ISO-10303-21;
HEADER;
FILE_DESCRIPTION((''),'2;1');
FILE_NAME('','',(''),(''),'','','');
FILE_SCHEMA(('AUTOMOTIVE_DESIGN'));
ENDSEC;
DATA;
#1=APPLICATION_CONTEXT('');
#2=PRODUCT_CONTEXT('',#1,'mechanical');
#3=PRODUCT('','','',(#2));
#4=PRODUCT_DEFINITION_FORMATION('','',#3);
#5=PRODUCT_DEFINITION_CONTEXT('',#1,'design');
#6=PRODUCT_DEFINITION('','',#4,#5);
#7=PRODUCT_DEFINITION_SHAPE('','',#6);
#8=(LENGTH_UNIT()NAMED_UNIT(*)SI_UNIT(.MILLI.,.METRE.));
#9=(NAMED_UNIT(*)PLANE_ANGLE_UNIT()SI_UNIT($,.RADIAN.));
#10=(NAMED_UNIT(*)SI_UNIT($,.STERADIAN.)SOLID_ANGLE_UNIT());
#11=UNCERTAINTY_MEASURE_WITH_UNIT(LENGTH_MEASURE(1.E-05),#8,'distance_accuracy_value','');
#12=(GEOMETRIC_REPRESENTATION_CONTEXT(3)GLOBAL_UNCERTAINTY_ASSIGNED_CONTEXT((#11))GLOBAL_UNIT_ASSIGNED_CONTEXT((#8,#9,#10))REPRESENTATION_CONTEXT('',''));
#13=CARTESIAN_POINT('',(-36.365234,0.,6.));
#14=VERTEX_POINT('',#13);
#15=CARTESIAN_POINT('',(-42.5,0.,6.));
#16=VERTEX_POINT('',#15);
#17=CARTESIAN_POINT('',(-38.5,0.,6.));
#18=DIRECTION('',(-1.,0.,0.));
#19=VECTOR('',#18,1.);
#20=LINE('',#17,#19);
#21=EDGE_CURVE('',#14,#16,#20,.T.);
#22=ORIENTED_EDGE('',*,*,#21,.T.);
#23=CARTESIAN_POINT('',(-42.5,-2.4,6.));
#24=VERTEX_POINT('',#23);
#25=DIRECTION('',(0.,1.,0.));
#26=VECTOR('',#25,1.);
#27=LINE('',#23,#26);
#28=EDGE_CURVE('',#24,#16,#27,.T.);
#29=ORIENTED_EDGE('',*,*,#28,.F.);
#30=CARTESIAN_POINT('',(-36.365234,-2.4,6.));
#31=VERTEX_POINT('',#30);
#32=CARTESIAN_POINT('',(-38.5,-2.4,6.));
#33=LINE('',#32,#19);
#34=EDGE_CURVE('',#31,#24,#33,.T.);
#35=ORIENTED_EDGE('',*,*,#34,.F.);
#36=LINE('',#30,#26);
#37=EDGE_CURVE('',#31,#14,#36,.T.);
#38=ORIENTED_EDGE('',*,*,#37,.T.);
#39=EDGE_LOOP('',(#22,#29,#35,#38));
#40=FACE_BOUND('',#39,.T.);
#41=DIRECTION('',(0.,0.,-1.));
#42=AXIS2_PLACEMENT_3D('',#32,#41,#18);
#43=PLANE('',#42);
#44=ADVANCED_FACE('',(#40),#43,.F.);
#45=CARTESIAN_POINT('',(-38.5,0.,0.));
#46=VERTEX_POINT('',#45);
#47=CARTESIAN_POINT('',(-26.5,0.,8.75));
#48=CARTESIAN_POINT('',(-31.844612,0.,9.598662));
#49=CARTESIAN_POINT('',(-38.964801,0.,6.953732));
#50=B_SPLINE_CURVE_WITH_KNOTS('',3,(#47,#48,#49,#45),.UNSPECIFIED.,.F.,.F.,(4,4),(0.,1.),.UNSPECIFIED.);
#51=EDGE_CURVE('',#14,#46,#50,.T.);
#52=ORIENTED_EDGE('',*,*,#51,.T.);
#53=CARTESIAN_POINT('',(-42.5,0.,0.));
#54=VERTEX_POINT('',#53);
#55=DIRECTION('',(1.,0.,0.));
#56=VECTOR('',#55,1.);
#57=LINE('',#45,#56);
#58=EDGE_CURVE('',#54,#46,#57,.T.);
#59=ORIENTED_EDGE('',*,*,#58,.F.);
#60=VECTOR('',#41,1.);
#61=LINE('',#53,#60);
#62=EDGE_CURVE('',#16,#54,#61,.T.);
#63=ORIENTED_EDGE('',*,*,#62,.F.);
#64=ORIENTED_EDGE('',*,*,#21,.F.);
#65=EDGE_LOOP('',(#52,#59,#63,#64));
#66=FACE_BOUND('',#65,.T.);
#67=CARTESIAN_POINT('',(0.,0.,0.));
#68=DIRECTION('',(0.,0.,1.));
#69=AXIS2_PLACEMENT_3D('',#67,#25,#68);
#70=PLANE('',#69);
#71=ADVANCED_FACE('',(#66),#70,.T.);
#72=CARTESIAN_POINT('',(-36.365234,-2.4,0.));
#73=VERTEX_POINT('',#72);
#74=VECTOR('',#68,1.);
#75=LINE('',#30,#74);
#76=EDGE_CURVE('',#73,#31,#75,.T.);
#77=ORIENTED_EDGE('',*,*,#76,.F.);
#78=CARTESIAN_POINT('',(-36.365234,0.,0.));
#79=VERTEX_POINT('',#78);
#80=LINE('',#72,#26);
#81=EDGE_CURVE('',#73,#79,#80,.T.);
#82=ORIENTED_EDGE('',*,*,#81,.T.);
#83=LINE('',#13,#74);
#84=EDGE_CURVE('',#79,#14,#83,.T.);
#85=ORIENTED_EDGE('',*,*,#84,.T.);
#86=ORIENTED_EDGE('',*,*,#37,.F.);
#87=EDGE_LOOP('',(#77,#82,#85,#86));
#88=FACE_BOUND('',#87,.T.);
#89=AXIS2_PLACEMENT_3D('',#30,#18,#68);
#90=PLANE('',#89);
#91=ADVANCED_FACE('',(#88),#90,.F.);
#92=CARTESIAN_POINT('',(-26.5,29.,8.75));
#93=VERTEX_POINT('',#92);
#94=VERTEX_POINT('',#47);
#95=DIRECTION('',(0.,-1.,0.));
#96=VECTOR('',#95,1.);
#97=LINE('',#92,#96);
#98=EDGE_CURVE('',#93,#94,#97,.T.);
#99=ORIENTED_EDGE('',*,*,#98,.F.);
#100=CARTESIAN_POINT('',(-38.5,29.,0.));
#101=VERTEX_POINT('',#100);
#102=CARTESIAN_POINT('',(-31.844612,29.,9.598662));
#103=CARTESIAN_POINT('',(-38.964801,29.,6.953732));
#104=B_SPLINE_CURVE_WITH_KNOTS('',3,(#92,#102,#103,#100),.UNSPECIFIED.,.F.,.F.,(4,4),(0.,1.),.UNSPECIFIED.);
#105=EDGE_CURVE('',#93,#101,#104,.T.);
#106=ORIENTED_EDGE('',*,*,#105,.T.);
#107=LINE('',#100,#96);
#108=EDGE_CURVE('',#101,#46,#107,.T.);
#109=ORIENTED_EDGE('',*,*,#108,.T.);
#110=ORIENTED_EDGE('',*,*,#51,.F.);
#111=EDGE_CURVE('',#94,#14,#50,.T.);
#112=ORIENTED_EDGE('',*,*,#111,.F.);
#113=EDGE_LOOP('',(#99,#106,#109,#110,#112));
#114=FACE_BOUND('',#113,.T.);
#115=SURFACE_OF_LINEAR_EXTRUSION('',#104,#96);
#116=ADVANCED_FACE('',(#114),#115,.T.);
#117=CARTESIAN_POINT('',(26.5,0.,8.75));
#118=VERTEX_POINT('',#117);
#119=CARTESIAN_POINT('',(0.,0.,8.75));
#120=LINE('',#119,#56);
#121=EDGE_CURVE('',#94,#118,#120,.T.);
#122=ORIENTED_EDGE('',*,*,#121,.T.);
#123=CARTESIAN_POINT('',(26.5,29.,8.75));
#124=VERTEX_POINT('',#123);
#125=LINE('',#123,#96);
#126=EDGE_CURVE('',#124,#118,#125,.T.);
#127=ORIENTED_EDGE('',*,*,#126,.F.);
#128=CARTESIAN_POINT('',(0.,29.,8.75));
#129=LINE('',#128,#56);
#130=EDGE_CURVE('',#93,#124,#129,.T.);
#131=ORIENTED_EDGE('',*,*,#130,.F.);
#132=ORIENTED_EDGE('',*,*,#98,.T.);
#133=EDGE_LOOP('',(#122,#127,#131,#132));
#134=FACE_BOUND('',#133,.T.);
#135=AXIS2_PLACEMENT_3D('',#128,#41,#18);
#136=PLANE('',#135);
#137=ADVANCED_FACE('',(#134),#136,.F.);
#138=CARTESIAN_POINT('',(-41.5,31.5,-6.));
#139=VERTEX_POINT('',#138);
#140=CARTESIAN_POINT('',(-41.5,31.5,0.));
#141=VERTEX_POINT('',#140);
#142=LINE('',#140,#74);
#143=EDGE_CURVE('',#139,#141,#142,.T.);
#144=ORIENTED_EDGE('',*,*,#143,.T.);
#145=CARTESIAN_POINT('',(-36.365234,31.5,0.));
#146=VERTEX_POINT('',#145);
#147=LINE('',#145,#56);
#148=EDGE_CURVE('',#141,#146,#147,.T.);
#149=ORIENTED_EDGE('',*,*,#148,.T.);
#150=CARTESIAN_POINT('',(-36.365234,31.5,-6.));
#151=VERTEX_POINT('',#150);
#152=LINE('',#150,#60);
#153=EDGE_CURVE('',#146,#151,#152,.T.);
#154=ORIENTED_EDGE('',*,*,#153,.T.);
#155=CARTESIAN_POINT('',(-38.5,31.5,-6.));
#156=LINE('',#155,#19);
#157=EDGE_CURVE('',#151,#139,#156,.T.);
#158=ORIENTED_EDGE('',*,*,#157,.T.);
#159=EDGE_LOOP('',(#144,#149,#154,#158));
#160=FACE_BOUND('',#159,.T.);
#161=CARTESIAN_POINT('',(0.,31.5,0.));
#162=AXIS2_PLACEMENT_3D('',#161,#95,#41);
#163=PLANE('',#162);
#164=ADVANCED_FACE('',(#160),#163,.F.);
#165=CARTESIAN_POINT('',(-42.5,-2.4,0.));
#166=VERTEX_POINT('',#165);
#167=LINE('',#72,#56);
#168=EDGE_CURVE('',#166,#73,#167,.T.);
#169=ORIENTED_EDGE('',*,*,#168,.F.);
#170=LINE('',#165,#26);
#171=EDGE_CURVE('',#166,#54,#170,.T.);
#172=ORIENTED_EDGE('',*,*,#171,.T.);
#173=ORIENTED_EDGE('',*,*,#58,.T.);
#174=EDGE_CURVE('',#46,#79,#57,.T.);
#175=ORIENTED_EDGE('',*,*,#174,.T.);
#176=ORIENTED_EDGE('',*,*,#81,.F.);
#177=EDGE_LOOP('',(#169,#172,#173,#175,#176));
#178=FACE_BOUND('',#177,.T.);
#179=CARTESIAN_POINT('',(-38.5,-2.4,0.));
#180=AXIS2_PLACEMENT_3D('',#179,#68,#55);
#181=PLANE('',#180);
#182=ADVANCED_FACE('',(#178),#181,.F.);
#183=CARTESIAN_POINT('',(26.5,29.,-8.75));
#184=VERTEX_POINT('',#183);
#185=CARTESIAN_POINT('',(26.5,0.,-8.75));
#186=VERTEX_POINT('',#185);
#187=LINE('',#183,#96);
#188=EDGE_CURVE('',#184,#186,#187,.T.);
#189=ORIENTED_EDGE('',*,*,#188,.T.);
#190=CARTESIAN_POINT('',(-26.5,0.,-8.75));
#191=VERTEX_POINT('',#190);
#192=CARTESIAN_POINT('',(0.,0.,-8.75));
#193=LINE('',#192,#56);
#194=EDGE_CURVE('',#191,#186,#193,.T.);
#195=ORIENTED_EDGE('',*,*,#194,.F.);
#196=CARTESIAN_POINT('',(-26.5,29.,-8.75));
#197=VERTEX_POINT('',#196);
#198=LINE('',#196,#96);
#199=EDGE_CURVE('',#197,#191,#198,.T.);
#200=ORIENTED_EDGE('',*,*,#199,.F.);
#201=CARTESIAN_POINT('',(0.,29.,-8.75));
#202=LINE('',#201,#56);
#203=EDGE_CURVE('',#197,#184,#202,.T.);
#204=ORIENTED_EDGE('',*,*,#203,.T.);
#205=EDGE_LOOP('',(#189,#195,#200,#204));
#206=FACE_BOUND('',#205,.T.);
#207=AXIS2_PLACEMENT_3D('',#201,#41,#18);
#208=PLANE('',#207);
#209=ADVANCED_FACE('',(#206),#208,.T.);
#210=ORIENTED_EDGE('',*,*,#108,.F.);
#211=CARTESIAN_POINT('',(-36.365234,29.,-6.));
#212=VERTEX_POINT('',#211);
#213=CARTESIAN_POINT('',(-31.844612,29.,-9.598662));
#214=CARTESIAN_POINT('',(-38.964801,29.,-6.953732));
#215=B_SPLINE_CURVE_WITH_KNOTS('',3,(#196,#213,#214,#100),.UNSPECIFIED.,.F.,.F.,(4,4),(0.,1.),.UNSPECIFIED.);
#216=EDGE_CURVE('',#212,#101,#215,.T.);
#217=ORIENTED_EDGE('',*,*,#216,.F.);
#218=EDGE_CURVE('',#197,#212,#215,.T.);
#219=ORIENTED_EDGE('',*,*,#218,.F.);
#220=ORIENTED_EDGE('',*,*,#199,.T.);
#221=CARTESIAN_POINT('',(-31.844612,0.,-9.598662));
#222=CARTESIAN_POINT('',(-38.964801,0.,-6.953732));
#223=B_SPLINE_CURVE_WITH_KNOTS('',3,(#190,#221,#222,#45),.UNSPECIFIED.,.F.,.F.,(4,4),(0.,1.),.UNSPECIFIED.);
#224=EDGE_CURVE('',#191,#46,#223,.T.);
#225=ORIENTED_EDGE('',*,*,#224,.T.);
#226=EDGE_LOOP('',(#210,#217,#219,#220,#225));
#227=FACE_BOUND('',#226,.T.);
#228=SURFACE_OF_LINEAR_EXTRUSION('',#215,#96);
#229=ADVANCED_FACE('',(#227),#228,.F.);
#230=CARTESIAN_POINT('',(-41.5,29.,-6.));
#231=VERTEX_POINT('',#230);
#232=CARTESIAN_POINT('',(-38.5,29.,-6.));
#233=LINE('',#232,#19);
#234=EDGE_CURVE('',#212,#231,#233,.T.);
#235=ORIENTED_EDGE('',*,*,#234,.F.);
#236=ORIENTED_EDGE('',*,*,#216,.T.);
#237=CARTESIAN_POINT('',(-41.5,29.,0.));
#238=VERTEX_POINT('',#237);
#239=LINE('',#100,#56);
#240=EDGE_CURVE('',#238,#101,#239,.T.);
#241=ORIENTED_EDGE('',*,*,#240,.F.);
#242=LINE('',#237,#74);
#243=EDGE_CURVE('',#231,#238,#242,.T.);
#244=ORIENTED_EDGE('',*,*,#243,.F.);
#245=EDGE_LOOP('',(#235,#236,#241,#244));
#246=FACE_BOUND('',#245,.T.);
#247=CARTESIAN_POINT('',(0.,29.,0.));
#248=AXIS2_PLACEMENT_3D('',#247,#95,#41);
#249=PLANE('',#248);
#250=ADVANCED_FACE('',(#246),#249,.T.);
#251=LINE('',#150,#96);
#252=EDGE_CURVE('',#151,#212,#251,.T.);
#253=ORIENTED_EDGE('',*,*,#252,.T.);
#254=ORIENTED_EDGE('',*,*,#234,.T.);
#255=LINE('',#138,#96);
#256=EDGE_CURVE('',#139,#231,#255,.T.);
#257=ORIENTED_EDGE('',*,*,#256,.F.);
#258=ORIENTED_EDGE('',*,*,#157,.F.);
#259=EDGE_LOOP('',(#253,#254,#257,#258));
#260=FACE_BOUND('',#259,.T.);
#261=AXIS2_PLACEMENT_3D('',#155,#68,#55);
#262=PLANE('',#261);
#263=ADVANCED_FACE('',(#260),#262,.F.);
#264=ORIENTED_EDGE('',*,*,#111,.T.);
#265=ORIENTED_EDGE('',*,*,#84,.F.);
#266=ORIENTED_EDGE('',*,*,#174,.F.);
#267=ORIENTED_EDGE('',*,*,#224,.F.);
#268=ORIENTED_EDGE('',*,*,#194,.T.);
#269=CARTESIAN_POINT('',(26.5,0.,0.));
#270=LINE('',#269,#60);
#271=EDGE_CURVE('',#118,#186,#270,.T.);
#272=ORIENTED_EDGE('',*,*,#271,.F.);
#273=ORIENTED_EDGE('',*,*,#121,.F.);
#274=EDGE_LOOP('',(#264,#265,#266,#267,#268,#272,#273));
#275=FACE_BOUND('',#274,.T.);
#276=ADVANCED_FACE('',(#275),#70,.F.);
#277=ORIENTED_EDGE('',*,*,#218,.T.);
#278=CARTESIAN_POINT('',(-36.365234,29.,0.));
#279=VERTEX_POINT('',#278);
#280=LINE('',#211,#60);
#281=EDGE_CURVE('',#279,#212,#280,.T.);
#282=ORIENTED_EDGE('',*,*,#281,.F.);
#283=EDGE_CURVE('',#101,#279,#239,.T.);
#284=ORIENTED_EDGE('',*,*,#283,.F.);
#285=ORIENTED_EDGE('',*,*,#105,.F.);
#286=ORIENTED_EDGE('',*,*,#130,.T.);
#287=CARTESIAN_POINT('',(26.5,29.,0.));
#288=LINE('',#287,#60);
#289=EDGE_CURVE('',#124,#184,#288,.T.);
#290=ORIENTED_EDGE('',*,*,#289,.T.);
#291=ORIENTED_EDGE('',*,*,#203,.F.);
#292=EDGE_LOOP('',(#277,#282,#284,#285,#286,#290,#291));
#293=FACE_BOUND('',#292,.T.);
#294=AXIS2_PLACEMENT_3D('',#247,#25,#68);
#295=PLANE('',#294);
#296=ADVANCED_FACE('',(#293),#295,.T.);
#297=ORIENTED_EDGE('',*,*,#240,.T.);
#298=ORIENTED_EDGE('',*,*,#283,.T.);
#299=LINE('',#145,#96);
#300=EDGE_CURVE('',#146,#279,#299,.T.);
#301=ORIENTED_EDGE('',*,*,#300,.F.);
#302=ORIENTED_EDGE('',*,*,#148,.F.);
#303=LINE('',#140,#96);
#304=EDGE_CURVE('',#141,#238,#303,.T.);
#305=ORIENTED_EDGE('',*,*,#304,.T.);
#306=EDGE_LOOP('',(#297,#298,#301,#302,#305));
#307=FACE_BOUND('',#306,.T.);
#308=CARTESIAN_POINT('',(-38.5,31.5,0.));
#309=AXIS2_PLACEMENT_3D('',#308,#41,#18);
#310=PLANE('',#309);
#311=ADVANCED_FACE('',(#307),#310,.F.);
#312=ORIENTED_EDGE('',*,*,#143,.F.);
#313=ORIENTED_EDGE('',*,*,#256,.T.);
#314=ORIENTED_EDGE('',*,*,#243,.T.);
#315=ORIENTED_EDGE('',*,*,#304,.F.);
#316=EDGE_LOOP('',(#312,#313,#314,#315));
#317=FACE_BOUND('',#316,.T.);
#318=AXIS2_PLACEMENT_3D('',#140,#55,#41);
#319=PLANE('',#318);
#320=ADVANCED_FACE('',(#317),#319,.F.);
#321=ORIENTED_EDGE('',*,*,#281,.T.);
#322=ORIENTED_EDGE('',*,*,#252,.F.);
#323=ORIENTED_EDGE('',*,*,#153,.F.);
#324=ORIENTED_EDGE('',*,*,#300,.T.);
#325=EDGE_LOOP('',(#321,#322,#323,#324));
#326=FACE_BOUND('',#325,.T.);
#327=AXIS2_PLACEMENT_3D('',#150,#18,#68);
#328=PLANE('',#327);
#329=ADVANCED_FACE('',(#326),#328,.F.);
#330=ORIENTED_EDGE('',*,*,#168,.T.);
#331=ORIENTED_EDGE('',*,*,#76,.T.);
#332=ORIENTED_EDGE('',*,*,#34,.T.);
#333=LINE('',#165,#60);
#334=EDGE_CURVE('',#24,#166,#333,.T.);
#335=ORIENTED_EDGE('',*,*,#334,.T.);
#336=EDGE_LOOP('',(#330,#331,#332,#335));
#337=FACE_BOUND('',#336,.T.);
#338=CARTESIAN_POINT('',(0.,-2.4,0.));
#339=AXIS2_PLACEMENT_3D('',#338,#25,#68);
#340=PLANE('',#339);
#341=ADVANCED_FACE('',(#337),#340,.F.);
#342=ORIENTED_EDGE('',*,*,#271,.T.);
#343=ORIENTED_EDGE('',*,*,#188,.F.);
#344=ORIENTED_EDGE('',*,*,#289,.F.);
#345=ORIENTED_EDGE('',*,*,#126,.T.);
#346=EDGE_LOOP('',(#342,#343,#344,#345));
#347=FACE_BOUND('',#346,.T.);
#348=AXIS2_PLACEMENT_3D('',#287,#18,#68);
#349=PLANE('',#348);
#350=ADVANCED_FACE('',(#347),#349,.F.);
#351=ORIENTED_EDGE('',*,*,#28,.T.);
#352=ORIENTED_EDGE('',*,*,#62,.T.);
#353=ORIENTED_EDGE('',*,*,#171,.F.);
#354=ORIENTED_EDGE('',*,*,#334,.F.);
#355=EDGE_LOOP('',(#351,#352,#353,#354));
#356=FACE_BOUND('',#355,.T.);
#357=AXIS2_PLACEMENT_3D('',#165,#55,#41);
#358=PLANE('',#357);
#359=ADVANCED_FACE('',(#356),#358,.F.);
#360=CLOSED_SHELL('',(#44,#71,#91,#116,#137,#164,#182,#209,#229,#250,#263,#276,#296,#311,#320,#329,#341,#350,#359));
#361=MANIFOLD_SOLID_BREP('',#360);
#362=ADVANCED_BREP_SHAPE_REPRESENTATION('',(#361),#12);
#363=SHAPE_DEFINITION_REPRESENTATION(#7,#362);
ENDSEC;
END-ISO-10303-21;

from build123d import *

# Parameters (mm, degrees)
SKETCH2_W           = 53
SKETCH2_H           = 17.5
BOSS_EXTRUDE1_DEPTH = 29
BOSS_EXTRUDE2_DEPTH = 2.5
BOSS_EXTRUDE3_DEPTH = 2.4


with BuildPart() as part:
    # Sketch2 → Boss-Extrude1 (new body)
    with BuildSketch(Plane(origin=(0, 0, 0), x_dir=(1, 0, 0), z_dir=(0, 1, 0))):
        Rectangle(SKETCH2_W, SKETCH2_H)
        with BuildLine():
            add(Edge.make_bspline(
                [(-26.5, -8.75), (-31.844612433, -9.598662384), (-38.964801167, -6.953731951), (-38.5, 0)],
                knots=[0, 0, 0, 0, 1, 1, 1, 1], degree=3))
            add(Edge.make_bspline(
                [(-26.5, 8.75), (-31.844612433, 9.598662384), (-38.964801167, 6.953731951), (-38.5, 0)],
                knots=[0, 0, 0, 0, 1, 1, 1, 1], degree=3))
            Line((-26.5, 8.75), (-26.5, -8.75))
        make_face()
    extrude(amount=BOSS_EXTRUDE1_DEPTH)

    # Sketch3 → Boss-Extrude2 (add)
    with BuildSketch(Plane(origin=(0, 29, 0), x_dir=(1, 0, 0), z_dir=(0, 1, 0))):
        Polygon((-38.5, 6), (-36.365233695, 6), (-36.365233695, 0), (-38.5, 0), (-41.5, 0), (-41.5, 6), align=None)
    extrude(amount=BOSS_EXTRUDE2_DEPTH)

    # Sketch4 → Boss-Extrude3 (add)
    with BuildSketch(Plane.XZ):
        Polygon((-38.5, 6), (-36.365233695, 6), (-36.365233695, 0), (-38.5, 0), (-42.5, 0), (-42.5, 6), align=None)
    extrude(amount=BOSS_EXTRUDE3_DEPTH)


solid = part.part
